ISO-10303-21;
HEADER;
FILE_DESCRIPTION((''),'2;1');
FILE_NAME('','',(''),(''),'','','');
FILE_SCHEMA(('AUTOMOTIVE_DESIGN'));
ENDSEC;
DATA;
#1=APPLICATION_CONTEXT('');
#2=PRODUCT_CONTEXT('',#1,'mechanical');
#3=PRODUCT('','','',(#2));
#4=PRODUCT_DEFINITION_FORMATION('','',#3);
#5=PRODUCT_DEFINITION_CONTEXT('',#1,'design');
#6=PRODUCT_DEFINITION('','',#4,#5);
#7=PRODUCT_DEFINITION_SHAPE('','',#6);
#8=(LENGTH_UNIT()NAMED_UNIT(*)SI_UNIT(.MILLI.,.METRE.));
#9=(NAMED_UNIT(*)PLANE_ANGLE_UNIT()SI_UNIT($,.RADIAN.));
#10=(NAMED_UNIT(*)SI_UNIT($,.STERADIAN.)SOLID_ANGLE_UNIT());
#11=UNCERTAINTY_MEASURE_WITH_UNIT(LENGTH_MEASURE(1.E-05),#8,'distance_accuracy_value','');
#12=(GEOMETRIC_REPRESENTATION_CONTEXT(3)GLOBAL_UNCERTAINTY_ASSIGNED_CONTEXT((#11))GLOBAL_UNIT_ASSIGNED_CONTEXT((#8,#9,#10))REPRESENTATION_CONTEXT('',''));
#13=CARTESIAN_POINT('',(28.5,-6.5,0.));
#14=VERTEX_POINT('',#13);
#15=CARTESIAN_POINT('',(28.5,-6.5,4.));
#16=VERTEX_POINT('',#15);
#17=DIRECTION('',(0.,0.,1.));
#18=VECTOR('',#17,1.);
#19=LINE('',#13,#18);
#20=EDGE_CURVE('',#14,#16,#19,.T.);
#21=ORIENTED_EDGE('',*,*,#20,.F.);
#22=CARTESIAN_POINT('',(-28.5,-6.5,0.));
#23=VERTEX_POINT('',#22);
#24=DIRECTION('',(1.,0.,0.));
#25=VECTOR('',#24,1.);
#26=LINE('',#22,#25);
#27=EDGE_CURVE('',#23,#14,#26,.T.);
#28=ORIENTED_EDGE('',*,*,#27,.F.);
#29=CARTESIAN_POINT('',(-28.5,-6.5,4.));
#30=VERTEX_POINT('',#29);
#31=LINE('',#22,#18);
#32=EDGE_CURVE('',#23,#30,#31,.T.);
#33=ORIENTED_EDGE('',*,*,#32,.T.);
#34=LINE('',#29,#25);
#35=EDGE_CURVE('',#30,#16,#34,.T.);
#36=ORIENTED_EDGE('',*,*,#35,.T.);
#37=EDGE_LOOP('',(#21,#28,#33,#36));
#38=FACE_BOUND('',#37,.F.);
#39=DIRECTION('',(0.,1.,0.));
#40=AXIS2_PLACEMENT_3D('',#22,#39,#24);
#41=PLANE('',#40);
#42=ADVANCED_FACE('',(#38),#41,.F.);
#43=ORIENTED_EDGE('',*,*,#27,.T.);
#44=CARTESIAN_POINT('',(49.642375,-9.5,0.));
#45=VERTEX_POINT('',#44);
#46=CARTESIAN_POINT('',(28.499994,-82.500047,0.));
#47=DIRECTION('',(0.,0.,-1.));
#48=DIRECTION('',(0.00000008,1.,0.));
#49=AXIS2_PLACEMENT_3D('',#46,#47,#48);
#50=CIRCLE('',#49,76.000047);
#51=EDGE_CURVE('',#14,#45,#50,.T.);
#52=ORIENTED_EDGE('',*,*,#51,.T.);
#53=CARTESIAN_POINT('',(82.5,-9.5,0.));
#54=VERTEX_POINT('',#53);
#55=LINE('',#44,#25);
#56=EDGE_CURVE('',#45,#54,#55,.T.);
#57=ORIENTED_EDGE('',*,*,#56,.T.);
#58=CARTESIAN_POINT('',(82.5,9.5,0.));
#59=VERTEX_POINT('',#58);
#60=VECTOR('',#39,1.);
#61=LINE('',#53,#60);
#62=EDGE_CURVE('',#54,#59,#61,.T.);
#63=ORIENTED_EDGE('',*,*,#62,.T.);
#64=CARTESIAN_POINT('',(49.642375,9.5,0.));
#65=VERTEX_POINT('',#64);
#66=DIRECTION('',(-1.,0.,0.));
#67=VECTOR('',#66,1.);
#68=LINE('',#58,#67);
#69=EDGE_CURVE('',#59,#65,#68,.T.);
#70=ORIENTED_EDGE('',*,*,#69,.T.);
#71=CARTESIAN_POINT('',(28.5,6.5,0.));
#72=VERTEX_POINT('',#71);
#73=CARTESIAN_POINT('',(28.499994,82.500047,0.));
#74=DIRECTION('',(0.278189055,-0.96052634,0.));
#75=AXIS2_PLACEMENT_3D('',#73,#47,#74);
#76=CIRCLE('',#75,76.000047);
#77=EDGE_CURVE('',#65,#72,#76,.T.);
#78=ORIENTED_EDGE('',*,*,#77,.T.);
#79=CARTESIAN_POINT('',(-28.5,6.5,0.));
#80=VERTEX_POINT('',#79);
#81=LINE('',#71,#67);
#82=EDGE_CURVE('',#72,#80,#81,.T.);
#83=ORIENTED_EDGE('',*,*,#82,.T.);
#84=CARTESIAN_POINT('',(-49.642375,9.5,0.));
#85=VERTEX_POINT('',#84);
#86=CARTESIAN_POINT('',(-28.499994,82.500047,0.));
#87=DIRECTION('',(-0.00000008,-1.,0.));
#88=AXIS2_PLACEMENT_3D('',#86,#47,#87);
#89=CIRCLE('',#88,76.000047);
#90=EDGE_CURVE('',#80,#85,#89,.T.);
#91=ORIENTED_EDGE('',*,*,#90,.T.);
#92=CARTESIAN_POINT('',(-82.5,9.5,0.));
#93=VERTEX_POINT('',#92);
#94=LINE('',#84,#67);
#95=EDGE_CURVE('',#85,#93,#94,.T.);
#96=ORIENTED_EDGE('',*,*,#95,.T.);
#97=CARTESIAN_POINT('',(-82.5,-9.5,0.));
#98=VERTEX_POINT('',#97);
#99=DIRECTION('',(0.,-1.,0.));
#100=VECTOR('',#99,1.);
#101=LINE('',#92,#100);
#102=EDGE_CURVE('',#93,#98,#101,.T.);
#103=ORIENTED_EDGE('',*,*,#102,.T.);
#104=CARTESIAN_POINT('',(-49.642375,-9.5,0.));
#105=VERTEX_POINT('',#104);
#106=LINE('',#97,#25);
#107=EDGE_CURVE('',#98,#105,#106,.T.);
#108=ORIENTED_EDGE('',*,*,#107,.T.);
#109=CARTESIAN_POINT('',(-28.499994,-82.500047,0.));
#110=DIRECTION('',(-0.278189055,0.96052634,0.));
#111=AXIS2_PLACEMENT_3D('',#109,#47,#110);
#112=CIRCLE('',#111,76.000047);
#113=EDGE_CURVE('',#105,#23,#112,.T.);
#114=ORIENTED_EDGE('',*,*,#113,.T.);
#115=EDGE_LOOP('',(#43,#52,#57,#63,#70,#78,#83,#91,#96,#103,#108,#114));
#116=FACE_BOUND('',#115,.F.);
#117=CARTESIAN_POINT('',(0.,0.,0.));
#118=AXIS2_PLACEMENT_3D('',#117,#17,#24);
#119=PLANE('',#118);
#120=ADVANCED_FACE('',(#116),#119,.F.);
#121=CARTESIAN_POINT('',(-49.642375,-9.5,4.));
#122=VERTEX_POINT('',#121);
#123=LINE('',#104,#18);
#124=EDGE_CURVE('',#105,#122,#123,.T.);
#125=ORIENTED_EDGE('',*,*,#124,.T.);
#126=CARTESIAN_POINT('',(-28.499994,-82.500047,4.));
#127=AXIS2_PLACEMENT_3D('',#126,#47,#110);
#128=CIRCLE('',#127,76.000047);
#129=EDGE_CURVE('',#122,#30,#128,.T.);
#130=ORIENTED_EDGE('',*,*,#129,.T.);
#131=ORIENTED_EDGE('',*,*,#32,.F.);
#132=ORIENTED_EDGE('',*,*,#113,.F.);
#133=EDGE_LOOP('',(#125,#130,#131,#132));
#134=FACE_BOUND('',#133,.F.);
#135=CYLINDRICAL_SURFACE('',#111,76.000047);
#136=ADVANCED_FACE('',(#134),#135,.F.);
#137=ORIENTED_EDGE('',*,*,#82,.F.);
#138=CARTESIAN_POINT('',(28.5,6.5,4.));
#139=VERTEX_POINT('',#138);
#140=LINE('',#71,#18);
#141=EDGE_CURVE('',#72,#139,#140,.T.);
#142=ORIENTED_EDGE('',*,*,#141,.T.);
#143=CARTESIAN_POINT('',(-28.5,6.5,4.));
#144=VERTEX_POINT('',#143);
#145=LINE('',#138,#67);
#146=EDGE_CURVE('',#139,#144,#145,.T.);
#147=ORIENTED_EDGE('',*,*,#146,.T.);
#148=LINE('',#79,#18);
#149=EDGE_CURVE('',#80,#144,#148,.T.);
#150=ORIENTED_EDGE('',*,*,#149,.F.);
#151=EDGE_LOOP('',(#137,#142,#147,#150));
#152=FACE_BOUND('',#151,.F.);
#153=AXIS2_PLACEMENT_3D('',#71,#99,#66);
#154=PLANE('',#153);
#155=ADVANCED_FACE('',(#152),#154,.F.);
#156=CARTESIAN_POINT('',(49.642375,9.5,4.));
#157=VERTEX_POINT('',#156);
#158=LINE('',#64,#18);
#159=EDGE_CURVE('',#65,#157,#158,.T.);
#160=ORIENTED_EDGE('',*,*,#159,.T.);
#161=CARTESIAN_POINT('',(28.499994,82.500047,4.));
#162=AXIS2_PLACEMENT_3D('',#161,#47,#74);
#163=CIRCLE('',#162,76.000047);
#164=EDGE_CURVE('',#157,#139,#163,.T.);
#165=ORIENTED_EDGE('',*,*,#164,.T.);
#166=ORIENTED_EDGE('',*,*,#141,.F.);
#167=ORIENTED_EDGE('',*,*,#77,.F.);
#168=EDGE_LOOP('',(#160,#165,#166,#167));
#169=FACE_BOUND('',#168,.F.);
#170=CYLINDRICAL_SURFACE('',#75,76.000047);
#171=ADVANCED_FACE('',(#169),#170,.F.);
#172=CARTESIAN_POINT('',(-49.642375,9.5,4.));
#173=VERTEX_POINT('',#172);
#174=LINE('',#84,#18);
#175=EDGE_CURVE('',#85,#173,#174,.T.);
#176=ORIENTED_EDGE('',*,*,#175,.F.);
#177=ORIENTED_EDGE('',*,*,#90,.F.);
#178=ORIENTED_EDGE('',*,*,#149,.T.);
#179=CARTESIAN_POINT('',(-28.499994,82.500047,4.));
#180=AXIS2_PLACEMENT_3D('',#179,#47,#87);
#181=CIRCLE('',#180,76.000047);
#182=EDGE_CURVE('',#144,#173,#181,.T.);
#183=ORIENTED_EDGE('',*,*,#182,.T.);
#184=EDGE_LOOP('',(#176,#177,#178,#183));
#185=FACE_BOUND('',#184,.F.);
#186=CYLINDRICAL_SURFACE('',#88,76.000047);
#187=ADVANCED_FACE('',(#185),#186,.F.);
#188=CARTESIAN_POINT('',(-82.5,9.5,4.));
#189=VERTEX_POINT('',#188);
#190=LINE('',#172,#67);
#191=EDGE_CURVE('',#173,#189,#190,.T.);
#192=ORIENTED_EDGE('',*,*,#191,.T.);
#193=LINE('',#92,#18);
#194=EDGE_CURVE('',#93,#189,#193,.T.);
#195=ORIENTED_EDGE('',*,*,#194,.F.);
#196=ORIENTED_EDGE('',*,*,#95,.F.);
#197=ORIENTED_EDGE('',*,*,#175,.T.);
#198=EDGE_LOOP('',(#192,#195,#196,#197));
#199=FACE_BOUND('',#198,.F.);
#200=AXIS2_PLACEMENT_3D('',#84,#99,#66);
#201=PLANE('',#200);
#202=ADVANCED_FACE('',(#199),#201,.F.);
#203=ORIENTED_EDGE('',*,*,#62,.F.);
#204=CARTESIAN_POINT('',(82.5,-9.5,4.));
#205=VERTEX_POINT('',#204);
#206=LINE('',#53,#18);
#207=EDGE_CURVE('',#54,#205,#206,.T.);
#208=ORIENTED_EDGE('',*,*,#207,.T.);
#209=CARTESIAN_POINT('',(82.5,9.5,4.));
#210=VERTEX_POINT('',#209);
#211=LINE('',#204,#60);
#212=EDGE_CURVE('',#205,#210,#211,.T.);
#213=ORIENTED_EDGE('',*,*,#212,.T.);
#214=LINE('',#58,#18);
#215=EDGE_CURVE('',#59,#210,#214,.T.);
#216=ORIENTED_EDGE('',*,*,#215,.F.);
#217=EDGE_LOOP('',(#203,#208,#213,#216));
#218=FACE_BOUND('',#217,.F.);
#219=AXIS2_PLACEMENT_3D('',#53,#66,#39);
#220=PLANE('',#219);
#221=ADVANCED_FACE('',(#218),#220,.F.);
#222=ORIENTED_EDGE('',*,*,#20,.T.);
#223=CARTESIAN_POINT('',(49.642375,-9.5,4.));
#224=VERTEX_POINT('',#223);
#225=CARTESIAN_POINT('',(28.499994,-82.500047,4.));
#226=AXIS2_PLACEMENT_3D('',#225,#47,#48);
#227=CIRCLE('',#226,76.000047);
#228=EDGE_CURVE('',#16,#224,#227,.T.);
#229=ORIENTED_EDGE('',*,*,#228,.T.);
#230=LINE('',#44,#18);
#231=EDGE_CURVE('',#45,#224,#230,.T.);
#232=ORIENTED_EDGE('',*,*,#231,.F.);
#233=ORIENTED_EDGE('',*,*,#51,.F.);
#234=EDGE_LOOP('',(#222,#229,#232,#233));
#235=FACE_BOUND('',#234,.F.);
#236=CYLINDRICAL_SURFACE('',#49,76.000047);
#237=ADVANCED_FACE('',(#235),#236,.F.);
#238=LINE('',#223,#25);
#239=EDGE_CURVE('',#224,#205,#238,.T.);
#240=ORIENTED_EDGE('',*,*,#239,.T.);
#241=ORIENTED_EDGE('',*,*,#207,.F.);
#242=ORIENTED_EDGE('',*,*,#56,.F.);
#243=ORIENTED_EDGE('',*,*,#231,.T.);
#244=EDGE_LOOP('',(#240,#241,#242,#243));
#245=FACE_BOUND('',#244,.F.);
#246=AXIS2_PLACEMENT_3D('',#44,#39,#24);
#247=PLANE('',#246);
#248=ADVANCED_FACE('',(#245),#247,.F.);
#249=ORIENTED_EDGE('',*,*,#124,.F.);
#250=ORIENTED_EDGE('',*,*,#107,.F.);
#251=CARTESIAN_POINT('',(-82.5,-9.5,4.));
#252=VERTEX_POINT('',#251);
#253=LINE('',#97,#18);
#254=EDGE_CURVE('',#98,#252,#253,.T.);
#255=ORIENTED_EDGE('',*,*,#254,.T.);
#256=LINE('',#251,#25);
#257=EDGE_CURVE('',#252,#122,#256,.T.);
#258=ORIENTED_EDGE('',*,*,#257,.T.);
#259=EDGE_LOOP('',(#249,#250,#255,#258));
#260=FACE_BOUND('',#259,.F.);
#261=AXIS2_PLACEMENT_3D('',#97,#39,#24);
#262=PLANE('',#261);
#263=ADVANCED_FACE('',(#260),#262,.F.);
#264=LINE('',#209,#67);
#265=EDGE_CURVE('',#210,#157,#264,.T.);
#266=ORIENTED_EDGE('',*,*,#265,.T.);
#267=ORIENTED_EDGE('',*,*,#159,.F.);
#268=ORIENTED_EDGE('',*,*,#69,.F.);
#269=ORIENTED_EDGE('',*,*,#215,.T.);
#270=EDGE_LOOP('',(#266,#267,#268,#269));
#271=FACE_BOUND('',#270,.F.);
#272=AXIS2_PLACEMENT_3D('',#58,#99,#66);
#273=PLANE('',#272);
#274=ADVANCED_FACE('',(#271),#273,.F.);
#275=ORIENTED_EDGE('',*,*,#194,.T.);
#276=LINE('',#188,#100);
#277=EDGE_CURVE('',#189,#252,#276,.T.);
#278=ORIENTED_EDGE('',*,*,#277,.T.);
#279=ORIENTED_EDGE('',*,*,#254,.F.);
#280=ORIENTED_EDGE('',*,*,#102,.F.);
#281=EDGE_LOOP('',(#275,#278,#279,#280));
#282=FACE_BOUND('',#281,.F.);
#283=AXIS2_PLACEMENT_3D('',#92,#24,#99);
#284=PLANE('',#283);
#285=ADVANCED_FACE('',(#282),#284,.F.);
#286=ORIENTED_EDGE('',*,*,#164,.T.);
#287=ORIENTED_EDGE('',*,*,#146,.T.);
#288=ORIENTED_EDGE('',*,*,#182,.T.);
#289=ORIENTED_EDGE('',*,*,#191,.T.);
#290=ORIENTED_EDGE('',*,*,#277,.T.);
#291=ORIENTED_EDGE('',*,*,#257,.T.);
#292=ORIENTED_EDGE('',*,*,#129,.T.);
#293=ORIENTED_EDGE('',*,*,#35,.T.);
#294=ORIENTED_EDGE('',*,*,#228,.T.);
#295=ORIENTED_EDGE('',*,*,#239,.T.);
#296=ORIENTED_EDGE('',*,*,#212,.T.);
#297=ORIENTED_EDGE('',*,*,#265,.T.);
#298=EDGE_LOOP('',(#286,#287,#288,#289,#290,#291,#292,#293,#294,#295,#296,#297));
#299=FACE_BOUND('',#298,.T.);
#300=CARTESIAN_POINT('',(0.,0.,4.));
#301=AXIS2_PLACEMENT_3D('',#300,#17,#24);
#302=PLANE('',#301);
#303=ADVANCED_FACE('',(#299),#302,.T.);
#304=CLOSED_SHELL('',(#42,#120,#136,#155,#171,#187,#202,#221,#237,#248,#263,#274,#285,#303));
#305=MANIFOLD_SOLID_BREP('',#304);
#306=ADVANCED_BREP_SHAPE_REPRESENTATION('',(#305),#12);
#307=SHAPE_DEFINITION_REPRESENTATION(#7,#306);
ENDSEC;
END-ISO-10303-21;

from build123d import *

# Parameters (mm, degrees)
F1_DEPTH = 4


with BuildPart() as f1:
    # F0 (on Top) → F1 (new body)
    with BuildSketch(Plane.XY):
        with BuildLine():
            Line((28.5, 6.5), (-28.5, 6.5))
            ThreePointArc((-28.5, 6.5), (-39.177078, 7.253738), (-49.642375, 9.5))
            Line((-49.642375, 9.5), (-82.5, 9.5))
            Line((-82.5, 9.5), (-82.5, -9.5))
            Line((-82.5, -9.5), (-49.642375, -9.5))
            ThreePointArc((-49.642375, -9.5), (-39.177078, -7.253738), (-28.5, -6.5))
            Line((-28.5, -6.5), (28.5, -6.5))
            ThreePointArc((28.5, -6.5), (39.177078, -7.253738), (49.642375, -9.5))
            Line((49.642375, -9.5), (82.5, -9.5))
            Line((82.5, -9.5), (82.5, 9.5))
            Line((82.5, 9.5), (49.642375, 9.5))
            ThreePointArc((49.642375, 9.5), (39.177078, 7.253738), (28.5, 6.5))
        make_face()
    extrude(amount=F1_DEPTH)


solid = f1.part
